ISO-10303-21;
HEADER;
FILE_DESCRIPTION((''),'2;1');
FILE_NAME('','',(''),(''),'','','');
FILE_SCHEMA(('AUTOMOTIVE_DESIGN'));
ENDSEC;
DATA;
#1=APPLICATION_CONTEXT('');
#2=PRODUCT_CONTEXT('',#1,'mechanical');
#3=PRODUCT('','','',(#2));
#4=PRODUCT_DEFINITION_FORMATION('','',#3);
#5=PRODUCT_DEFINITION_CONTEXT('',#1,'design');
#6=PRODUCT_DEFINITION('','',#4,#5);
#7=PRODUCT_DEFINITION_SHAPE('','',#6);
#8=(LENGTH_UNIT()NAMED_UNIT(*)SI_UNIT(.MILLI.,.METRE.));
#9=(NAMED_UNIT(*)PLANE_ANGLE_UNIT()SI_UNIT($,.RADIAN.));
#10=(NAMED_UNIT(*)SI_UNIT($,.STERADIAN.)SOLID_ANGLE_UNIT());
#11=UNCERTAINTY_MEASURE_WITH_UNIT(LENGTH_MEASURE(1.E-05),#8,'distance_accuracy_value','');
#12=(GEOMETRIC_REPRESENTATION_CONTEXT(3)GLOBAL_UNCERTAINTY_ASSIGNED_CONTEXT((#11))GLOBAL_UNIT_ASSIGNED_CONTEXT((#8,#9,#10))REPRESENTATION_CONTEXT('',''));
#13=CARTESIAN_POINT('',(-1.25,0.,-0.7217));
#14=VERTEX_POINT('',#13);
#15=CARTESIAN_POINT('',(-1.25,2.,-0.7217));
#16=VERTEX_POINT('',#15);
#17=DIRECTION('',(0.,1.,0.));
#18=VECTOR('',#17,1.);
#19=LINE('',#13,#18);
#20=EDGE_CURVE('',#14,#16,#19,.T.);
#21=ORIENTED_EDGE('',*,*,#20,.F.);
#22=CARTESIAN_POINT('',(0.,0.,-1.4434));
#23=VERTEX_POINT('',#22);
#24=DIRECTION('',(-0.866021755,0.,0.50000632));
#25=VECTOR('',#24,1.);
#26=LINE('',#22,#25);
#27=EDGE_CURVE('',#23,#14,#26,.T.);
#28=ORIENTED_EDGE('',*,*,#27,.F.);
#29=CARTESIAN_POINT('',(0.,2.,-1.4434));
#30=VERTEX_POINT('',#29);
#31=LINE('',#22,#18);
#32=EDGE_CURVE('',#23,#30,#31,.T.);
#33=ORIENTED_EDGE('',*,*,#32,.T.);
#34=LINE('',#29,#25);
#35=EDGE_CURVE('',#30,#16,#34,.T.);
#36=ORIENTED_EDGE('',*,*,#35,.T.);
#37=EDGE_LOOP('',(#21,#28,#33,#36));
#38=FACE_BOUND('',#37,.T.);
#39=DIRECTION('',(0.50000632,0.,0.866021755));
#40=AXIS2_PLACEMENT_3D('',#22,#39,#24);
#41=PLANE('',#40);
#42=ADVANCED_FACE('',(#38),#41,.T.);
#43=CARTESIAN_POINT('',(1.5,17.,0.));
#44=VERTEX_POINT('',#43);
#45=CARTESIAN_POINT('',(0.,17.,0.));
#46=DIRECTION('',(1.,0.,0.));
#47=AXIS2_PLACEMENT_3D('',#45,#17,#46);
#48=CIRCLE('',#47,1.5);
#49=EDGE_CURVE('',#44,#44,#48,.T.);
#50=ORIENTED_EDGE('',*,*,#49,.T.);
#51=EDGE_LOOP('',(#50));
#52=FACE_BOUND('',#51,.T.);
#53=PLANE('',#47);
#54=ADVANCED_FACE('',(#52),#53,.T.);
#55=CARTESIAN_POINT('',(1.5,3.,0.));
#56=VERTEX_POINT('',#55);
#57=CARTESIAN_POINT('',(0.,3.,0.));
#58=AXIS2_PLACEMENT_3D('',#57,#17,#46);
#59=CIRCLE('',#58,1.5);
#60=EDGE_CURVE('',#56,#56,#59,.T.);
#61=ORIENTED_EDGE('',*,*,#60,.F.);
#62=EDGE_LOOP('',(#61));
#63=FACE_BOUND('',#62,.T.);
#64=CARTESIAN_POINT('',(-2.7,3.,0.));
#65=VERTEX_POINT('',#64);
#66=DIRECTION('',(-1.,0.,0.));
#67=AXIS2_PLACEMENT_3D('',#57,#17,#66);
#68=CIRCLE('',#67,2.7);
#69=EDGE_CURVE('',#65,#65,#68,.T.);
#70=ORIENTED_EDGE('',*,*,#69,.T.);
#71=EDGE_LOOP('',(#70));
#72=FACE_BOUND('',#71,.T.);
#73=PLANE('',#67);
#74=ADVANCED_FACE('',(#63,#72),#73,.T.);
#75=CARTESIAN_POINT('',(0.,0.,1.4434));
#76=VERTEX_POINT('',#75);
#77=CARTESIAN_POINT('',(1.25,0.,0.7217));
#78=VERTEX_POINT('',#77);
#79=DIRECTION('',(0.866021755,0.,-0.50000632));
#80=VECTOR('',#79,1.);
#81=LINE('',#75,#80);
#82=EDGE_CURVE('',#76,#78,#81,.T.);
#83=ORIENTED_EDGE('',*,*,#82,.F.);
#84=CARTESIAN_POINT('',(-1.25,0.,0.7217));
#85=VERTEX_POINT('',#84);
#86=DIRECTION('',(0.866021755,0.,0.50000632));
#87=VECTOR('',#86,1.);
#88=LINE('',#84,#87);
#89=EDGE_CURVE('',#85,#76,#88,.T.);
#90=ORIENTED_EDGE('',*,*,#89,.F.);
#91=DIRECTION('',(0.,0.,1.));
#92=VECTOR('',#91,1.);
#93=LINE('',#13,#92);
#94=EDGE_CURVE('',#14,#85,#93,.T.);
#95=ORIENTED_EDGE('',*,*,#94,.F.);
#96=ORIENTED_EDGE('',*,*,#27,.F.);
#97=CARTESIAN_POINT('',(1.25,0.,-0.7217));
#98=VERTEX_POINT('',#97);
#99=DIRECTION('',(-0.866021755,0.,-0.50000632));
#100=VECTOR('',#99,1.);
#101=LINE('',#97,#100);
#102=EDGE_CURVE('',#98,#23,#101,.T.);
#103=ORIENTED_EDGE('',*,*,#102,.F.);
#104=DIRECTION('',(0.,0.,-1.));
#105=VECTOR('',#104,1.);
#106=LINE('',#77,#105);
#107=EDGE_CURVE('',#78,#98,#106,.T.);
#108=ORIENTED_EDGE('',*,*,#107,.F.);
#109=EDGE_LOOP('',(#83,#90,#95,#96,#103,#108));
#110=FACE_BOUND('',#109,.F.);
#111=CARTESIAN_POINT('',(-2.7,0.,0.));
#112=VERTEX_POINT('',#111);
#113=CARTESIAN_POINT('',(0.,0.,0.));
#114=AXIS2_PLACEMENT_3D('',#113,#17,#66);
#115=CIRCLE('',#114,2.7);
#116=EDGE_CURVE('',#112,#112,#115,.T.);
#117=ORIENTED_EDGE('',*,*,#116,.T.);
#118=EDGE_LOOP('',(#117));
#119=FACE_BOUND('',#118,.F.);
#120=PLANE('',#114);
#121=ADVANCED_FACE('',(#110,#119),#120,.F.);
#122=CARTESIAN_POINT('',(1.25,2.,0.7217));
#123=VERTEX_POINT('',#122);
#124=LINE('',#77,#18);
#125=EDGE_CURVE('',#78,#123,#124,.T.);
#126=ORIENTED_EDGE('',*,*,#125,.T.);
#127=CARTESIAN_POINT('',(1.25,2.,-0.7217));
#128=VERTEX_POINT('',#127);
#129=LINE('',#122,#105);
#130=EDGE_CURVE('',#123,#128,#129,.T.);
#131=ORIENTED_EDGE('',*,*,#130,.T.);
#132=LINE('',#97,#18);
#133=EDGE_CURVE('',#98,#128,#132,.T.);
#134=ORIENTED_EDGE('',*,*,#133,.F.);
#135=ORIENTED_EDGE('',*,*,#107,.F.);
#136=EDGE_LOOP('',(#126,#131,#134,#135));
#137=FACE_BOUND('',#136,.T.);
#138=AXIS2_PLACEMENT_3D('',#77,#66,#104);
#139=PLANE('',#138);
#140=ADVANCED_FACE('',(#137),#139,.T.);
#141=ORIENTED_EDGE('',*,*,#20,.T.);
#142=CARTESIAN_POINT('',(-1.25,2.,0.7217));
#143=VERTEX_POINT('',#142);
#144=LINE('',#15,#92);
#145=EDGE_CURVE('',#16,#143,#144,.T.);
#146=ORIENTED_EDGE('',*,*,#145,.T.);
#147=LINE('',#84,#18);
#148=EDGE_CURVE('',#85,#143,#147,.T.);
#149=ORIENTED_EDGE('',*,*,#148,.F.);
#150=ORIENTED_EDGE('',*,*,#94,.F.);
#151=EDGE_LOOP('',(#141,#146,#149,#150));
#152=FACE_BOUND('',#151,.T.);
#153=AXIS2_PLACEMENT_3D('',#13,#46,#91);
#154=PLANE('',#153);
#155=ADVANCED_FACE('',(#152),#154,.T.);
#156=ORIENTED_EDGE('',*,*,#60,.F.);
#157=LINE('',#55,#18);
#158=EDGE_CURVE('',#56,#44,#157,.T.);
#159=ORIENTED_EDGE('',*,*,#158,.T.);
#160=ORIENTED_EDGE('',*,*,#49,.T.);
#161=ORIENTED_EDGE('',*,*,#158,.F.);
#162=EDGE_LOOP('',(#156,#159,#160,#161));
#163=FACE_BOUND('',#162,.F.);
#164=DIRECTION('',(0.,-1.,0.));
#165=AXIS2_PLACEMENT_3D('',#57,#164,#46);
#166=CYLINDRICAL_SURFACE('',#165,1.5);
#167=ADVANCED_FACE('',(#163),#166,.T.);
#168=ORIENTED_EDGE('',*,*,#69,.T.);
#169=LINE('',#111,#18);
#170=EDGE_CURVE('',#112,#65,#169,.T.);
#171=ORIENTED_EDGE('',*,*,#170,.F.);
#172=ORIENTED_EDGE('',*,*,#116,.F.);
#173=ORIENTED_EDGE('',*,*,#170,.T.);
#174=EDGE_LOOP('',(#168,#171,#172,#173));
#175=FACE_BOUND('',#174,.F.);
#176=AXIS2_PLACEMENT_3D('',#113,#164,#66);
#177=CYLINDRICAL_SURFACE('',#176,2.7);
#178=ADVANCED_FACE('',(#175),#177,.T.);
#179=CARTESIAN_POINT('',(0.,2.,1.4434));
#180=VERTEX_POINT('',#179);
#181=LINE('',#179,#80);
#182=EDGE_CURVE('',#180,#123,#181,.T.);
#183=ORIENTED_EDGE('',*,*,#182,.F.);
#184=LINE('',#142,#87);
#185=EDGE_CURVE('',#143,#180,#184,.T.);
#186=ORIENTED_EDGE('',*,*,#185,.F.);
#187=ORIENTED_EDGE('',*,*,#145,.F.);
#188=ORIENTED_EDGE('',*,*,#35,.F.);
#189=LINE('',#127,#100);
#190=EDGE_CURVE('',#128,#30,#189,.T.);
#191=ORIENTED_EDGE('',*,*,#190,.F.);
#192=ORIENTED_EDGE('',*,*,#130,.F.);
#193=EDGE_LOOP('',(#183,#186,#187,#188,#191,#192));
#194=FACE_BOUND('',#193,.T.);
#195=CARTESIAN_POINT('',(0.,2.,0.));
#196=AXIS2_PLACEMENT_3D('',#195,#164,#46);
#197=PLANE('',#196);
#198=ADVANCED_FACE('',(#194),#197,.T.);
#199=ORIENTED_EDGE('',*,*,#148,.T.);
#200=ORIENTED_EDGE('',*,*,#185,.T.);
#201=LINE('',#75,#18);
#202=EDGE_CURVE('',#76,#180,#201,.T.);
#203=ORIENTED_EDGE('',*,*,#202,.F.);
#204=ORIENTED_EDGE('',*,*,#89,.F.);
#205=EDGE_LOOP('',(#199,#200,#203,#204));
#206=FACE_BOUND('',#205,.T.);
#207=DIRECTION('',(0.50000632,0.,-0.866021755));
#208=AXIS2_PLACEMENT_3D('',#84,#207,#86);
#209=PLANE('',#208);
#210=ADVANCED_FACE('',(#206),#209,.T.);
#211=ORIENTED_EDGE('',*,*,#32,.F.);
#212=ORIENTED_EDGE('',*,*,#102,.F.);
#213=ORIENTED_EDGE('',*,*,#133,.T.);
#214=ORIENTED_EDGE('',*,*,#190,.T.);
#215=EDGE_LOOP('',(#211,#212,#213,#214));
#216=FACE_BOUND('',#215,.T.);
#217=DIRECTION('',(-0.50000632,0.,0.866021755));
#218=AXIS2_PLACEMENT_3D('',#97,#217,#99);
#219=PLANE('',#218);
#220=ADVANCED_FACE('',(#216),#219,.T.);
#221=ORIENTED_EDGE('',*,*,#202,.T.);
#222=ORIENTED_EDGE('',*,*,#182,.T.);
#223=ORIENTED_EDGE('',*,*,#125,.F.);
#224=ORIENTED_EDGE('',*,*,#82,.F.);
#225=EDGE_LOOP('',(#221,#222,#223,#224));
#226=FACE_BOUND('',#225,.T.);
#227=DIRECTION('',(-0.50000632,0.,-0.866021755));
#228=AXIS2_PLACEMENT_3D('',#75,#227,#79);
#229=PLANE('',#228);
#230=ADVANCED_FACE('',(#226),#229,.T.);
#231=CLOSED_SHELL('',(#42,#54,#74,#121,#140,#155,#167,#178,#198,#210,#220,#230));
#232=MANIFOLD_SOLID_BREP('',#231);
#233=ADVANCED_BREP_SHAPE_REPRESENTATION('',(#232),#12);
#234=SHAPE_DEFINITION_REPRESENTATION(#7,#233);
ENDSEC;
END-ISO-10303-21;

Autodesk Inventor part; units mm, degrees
ref_plane "YZ Plane" through (0, 0, 0) normal (1, 0, 0) x (0, 1, 0)
ref_plane "XZ Plane" through (0, 0, 0) normal (0, 1, 0) x (-1, 0, 0)
ref_plane "XY Plane" through (0, 0, 0) normal (0, 0, 1) x (1, 0, 0)
sketch "Sketch1" plane through (0, 0, 0) normal (0, 1, 0) x (-1, 0, 0)
  circle A0 centre (0, 0) radius 2.7
  dimension "d0" = 5.4
extrude "Extrusion1" add sketch "Sketch1" along normal blind 3
sketch "Sketch2" plane through (0, 3, 0) normal (0, 1, 0) x (1, 0, 0)
  circle A0 centre (0, 0) radius 1.5
  dimension "d3" = 3
extrude "Extrusion2" add sketch "Sketch2" along normal blind 14
sketch "Sketch3" plane through (0, 0, 0) normal (0, -1, 0) x (1, 0, 0)
  line L0 (0, -1.4434) -> (-1.25, -0.7217)
  line L1 (-1.25, -0.7217) -> (-1.25, 0.7217)
  line L2 (-1.25, 0.7217) -> (0, 1.4434)
  line L3 (0, 1.4434) -> (1.25, 0.7217)
  line L4 (1.25, 0.7217) -> (1.25, -0.7217)
  line L5 (1.25, -0.7217) -> (0, -1.4434)
  point P0 (0, 0)
  point P1 (0, 0)
  dimension "d6" = 2.5
extrude "Extrusion3" cut sketch "Sketch3" against normal blind 2
properties part number "m3_bolt_14mm" material "Stainless Steel"
